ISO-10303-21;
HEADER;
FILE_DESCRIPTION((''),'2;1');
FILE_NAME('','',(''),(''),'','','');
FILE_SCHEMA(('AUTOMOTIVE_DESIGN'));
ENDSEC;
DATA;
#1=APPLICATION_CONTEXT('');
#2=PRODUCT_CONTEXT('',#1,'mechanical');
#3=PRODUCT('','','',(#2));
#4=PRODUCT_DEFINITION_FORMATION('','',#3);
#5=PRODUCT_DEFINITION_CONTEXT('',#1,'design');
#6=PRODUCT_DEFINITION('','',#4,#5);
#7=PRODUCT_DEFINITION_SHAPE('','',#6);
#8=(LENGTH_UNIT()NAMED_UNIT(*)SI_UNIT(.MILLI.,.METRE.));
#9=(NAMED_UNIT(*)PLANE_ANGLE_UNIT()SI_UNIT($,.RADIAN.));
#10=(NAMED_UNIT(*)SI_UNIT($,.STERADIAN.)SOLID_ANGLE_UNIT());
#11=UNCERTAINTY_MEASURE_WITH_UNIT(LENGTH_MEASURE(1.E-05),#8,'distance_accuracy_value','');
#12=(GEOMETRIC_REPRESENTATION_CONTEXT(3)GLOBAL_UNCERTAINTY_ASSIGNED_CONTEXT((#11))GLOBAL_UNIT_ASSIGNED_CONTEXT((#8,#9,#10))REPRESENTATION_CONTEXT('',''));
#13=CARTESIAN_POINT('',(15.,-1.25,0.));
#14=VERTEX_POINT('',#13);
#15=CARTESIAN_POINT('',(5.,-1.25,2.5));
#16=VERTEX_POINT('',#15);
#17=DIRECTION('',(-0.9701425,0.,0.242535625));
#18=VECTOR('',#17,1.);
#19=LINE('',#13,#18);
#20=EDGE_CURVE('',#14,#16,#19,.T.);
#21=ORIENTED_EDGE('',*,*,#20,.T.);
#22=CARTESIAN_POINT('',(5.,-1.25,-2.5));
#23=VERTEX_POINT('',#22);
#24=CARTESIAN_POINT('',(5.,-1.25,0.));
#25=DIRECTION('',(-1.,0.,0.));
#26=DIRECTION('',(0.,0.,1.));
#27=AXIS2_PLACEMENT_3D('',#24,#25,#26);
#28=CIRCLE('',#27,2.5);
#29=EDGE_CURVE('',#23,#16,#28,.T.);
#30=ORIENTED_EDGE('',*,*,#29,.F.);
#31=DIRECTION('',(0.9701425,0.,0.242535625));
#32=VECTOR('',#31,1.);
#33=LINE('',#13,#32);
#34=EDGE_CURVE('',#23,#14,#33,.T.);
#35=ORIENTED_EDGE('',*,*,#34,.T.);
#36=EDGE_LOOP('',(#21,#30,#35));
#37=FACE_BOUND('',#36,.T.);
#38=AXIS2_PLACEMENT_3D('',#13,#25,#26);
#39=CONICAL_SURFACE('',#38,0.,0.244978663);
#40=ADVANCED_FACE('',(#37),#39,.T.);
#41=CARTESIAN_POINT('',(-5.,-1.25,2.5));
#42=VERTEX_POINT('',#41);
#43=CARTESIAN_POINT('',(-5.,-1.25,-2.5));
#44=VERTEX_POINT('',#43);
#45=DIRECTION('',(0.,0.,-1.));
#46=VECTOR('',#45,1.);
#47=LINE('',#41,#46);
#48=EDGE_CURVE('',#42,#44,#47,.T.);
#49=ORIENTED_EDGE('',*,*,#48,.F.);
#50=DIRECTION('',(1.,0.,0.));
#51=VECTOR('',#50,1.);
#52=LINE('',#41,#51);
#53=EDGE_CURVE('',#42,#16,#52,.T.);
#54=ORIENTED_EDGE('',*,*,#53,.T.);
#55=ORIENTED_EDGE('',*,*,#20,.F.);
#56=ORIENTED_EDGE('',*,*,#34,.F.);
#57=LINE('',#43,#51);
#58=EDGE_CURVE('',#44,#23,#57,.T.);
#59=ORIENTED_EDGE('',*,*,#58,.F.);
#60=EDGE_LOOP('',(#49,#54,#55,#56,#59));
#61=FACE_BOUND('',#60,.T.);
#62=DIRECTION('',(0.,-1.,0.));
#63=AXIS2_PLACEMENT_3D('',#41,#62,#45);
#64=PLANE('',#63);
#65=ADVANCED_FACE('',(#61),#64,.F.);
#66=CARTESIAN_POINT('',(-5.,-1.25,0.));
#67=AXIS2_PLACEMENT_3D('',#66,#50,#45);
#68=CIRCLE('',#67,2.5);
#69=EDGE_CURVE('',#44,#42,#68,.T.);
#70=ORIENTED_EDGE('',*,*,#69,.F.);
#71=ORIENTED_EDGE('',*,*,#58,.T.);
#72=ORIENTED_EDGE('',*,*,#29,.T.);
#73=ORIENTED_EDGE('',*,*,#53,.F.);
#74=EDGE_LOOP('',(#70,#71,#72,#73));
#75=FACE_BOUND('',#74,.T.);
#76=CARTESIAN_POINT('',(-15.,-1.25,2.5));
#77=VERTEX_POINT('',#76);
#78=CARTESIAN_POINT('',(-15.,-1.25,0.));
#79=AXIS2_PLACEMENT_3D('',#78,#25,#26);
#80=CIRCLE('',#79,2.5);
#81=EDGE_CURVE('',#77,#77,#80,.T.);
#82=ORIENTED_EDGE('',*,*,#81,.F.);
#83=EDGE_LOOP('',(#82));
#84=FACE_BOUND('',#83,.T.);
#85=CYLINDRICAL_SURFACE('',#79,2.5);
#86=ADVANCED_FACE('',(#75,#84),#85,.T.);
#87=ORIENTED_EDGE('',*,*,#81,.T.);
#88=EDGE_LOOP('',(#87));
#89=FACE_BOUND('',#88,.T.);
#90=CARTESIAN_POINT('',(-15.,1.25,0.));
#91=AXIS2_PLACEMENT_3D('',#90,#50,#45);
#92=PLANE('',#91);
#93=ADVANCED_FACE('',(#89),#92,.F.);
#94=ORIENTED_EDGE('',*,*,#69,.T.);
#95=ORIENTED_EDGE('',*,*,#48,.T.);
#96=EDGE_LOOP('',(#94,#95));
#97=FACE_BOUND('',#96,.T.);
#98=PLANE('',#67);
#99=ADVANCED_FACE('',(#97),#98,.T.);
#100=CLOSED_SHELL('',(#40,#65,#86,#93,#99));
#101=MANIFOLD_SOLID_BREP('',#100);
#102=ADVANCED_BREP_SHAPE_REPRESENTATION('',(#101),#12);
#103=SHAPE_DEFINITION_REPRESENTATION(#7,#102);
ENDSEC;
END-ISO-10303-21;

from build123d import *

# Parameters (mm, degrees)
CUT_EXTRUDE1_DEPTH = 10


with BuildPart() as part:
    # Sketch1 → Revolve2 (revolve)
    with BuildSketch(Plane.XY):
        Polygon((15, -1.25), (5, 1.25), (-15, 1.25), (-15, -1.25), align=None)
    revolve(axis=Axis((-15, -1.25, 0), (1, 0, 0)))

    # Sketch2 → Cut-Extrude1 (cut, symmetric)
    with BuildSketch(Plane(origin=(5, 0, 0), x_dir=(0, 0, -1), z_dir=(1, 0, 0))):
        with BuildLine():
            Line((-2.5, -1.25), (2.5, -1.25))
            ThreePointArc((2.5, -1.25), (0, 1.25), (-2.5, -1.25))
        make_face()
    extrude(amount=CUT_EXTRUDE1_DEPTH, both=True, mode=Mode.SUBTRACT)


solid = part.part
